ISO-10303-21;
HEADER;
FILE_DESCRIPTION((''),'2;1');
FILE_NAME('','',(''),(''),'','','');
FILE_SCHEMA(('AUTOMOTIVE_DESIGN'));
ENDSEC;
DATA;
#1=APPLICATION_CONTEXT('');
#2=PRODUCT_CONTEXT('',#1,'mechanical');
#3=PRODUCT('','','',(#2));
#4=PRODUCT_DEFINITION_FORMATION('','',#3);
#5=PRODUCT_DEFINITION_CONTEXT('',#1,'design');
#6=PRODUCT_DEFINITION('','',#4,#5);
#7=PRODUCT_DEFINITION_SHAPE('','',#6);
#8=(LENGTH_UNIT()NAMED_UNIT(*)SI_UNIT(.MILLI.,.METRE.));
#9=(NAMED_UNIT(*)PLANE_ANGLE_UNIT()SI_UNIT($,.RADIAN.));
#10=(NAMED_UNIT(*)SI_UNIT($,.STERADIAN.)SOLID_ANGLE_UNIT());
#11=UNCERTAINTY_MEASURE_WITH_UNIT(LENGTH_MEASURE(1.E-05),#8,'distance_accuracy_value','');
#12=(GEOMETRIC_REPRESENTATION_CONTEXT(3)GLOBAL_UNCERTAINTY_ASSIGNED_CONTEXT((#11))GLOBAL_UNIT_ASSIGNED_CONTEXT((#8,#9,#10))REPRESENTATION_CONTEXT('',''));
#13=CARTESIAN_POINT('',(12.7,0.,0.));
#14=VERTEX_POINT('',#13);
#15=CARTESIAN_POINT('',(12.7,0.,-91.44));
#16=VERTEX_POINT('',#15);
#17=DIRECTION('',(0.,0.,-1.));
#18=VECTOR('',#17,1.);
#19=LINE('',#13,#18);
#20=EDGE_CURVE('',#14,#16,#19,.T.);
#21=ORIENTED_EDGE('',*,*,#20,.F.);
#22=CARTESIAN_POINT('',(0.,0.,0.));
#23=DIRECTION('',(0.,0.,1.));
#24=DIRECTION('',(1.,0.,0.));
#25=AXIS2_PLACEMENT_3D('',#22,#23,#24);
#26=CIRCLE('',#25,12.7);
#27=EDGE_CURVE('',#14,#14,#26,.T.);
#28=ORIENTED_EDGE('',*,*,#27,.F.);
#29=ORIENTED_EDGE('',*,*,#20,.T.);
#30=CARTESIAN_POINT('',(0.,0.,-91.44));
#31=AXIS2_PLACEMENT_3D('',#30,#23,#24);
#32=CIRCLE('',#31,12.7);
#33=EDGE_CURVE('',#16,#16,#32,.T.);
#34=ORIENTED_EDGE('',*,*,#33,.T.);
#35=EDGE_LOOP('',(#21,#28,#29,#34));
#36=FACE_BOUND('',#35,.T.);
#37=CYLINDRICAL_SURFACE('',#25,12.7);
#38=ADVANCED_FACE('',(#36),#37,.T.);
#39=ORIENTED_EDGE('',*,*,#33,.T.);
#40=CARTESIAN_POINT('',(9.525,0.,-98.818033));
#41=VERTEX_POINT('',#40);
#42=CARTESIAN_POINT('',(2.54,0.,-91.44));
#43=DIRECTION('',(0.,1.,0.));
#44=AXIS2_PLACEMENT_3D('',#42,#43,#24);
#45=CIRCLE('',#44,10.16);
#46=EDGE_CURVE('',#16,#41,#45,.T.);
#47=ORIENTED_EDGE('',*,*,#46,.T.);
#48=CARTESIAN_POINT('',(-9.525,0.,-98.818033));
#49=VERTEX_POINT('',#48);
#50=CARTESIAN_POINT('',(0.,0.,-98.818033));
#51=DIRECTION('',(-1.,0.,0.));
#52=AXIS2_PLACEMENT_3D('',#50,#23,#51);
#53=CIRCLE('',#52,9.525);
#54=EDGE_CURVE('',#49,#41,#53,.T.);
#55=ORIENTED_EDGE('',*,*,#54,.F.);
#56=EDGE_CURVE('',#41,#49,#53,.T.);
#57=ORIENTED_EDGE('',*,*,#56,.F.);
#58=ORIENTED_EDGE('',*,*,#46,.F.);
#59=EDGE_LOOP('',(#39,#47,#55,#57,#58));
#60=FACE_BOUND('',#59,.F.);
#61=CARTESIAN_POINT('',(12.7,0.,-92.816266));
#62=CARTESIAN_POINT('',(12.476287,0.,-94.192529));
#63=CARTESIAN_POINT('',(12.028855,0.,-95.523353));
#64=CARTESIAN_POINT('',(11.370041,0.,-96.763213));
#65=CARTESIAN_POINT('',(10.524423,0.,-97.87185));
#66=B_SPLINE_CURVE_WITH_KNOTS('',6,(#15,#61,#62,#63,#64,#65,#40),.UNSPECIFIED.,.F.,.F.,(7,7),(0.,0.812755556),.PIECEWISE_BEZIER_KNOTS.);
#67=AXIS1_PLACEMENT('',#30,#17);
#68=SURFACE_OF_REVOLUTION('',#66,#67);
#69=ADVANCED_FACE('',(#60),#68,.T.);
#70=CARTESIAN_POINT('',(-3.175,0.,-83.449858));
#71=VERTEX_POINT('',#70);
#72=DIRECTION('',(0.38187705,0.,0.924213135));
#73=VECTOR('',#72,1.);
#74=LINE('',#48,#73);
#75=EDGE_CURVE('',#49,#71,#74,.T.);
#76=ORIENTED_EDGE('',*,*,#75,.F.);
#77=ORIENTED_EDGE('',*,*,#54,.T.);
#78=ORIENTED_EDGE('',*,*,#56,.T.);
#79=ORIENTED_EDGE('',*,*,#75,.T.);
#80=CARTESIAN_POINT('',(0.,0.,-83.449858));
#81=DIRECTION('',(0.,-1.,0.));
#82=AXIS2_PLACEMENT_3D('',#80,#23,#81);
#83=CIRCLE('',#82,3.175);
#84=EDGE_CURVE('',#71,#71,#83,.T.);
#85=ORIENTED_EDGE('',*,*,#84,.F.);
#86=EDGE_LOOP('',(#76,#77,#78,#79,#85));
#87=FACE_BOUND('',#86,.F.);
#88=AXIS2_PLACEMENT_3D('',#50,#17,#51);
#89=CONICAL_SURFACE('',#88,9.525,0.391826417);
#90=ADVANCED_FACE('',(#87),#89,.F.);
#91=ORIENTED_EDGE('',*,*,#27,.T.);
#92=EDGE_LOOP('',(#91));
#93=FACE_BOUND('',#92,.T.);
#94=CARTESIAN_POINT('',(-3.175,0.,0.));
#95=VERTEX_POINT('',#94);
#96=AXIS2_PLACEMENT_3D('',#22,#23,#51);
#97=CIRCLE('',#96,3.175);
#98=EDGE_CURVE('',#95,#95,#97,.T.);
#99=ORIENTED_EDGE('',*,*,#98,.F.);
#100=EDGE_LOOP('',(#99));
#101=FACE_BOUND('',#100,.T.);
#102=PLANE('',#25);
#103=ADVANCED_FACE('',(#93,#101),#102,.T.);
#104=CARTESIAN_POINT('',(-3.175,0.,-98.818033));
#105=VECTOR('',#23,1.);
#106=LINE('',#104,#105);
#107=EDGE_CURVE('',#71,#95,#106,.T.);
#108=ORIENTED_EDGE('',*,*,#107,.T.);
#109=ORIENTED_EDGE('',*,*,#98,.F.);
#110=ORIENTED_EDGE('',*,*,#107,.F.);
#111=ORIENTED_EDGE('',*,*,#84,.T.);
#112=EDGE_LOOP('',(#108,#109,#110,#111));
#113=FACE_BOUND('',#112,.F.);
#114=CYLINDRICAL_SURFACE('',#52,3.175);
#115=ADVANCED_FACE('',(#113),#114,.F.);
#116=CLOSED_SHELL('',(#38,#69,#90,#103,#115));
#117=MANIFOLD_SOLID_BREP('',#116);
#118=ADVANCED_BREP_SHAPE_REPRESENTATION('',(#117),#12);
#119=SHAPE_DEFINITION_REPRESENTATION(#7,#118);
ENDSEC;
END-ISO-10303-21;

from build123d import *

# Parameters (mm, degrees)
F0_R           = 12.7
F1_DEPTH       = 101.6
F3_R           = 10.16
F4_D           = 6.35
F4_START       = 2.7819668
F4_CSINK_D     = 19.05
F4_CSINK_ANGLE = 44.9


with BuildPart() as f1:
    # F0 (on Top) → F1 (new body)
    with BuildSketch(Plane.XY):
        Circle(F0_R)
    extrude(amount=-F1_DEPTH)

    # F3
    f3_edges = [f1.edges().sort_by_distance(p)[0] for p in [
        (-12.7, 0, -101.6),
    ]]
    fillet(f3_edges, radius=F3_R)

    # F4 (through all)
    # its depths count from where the whole tool has entered the part; down to there all is cleared
    with Locations(Plane(origin=(0, 0, -101.6), x_dir=(1, 0, 0), z_dir=(0, 0, -1)).offset(-F4_START)):
        with Locations((0, 0)):
            CounterSinkHole(F4_D / 2, F4_CSINK_D / 2, counter_sink_angle=F4_CSINK_ANGLE)


solid = f1.part
